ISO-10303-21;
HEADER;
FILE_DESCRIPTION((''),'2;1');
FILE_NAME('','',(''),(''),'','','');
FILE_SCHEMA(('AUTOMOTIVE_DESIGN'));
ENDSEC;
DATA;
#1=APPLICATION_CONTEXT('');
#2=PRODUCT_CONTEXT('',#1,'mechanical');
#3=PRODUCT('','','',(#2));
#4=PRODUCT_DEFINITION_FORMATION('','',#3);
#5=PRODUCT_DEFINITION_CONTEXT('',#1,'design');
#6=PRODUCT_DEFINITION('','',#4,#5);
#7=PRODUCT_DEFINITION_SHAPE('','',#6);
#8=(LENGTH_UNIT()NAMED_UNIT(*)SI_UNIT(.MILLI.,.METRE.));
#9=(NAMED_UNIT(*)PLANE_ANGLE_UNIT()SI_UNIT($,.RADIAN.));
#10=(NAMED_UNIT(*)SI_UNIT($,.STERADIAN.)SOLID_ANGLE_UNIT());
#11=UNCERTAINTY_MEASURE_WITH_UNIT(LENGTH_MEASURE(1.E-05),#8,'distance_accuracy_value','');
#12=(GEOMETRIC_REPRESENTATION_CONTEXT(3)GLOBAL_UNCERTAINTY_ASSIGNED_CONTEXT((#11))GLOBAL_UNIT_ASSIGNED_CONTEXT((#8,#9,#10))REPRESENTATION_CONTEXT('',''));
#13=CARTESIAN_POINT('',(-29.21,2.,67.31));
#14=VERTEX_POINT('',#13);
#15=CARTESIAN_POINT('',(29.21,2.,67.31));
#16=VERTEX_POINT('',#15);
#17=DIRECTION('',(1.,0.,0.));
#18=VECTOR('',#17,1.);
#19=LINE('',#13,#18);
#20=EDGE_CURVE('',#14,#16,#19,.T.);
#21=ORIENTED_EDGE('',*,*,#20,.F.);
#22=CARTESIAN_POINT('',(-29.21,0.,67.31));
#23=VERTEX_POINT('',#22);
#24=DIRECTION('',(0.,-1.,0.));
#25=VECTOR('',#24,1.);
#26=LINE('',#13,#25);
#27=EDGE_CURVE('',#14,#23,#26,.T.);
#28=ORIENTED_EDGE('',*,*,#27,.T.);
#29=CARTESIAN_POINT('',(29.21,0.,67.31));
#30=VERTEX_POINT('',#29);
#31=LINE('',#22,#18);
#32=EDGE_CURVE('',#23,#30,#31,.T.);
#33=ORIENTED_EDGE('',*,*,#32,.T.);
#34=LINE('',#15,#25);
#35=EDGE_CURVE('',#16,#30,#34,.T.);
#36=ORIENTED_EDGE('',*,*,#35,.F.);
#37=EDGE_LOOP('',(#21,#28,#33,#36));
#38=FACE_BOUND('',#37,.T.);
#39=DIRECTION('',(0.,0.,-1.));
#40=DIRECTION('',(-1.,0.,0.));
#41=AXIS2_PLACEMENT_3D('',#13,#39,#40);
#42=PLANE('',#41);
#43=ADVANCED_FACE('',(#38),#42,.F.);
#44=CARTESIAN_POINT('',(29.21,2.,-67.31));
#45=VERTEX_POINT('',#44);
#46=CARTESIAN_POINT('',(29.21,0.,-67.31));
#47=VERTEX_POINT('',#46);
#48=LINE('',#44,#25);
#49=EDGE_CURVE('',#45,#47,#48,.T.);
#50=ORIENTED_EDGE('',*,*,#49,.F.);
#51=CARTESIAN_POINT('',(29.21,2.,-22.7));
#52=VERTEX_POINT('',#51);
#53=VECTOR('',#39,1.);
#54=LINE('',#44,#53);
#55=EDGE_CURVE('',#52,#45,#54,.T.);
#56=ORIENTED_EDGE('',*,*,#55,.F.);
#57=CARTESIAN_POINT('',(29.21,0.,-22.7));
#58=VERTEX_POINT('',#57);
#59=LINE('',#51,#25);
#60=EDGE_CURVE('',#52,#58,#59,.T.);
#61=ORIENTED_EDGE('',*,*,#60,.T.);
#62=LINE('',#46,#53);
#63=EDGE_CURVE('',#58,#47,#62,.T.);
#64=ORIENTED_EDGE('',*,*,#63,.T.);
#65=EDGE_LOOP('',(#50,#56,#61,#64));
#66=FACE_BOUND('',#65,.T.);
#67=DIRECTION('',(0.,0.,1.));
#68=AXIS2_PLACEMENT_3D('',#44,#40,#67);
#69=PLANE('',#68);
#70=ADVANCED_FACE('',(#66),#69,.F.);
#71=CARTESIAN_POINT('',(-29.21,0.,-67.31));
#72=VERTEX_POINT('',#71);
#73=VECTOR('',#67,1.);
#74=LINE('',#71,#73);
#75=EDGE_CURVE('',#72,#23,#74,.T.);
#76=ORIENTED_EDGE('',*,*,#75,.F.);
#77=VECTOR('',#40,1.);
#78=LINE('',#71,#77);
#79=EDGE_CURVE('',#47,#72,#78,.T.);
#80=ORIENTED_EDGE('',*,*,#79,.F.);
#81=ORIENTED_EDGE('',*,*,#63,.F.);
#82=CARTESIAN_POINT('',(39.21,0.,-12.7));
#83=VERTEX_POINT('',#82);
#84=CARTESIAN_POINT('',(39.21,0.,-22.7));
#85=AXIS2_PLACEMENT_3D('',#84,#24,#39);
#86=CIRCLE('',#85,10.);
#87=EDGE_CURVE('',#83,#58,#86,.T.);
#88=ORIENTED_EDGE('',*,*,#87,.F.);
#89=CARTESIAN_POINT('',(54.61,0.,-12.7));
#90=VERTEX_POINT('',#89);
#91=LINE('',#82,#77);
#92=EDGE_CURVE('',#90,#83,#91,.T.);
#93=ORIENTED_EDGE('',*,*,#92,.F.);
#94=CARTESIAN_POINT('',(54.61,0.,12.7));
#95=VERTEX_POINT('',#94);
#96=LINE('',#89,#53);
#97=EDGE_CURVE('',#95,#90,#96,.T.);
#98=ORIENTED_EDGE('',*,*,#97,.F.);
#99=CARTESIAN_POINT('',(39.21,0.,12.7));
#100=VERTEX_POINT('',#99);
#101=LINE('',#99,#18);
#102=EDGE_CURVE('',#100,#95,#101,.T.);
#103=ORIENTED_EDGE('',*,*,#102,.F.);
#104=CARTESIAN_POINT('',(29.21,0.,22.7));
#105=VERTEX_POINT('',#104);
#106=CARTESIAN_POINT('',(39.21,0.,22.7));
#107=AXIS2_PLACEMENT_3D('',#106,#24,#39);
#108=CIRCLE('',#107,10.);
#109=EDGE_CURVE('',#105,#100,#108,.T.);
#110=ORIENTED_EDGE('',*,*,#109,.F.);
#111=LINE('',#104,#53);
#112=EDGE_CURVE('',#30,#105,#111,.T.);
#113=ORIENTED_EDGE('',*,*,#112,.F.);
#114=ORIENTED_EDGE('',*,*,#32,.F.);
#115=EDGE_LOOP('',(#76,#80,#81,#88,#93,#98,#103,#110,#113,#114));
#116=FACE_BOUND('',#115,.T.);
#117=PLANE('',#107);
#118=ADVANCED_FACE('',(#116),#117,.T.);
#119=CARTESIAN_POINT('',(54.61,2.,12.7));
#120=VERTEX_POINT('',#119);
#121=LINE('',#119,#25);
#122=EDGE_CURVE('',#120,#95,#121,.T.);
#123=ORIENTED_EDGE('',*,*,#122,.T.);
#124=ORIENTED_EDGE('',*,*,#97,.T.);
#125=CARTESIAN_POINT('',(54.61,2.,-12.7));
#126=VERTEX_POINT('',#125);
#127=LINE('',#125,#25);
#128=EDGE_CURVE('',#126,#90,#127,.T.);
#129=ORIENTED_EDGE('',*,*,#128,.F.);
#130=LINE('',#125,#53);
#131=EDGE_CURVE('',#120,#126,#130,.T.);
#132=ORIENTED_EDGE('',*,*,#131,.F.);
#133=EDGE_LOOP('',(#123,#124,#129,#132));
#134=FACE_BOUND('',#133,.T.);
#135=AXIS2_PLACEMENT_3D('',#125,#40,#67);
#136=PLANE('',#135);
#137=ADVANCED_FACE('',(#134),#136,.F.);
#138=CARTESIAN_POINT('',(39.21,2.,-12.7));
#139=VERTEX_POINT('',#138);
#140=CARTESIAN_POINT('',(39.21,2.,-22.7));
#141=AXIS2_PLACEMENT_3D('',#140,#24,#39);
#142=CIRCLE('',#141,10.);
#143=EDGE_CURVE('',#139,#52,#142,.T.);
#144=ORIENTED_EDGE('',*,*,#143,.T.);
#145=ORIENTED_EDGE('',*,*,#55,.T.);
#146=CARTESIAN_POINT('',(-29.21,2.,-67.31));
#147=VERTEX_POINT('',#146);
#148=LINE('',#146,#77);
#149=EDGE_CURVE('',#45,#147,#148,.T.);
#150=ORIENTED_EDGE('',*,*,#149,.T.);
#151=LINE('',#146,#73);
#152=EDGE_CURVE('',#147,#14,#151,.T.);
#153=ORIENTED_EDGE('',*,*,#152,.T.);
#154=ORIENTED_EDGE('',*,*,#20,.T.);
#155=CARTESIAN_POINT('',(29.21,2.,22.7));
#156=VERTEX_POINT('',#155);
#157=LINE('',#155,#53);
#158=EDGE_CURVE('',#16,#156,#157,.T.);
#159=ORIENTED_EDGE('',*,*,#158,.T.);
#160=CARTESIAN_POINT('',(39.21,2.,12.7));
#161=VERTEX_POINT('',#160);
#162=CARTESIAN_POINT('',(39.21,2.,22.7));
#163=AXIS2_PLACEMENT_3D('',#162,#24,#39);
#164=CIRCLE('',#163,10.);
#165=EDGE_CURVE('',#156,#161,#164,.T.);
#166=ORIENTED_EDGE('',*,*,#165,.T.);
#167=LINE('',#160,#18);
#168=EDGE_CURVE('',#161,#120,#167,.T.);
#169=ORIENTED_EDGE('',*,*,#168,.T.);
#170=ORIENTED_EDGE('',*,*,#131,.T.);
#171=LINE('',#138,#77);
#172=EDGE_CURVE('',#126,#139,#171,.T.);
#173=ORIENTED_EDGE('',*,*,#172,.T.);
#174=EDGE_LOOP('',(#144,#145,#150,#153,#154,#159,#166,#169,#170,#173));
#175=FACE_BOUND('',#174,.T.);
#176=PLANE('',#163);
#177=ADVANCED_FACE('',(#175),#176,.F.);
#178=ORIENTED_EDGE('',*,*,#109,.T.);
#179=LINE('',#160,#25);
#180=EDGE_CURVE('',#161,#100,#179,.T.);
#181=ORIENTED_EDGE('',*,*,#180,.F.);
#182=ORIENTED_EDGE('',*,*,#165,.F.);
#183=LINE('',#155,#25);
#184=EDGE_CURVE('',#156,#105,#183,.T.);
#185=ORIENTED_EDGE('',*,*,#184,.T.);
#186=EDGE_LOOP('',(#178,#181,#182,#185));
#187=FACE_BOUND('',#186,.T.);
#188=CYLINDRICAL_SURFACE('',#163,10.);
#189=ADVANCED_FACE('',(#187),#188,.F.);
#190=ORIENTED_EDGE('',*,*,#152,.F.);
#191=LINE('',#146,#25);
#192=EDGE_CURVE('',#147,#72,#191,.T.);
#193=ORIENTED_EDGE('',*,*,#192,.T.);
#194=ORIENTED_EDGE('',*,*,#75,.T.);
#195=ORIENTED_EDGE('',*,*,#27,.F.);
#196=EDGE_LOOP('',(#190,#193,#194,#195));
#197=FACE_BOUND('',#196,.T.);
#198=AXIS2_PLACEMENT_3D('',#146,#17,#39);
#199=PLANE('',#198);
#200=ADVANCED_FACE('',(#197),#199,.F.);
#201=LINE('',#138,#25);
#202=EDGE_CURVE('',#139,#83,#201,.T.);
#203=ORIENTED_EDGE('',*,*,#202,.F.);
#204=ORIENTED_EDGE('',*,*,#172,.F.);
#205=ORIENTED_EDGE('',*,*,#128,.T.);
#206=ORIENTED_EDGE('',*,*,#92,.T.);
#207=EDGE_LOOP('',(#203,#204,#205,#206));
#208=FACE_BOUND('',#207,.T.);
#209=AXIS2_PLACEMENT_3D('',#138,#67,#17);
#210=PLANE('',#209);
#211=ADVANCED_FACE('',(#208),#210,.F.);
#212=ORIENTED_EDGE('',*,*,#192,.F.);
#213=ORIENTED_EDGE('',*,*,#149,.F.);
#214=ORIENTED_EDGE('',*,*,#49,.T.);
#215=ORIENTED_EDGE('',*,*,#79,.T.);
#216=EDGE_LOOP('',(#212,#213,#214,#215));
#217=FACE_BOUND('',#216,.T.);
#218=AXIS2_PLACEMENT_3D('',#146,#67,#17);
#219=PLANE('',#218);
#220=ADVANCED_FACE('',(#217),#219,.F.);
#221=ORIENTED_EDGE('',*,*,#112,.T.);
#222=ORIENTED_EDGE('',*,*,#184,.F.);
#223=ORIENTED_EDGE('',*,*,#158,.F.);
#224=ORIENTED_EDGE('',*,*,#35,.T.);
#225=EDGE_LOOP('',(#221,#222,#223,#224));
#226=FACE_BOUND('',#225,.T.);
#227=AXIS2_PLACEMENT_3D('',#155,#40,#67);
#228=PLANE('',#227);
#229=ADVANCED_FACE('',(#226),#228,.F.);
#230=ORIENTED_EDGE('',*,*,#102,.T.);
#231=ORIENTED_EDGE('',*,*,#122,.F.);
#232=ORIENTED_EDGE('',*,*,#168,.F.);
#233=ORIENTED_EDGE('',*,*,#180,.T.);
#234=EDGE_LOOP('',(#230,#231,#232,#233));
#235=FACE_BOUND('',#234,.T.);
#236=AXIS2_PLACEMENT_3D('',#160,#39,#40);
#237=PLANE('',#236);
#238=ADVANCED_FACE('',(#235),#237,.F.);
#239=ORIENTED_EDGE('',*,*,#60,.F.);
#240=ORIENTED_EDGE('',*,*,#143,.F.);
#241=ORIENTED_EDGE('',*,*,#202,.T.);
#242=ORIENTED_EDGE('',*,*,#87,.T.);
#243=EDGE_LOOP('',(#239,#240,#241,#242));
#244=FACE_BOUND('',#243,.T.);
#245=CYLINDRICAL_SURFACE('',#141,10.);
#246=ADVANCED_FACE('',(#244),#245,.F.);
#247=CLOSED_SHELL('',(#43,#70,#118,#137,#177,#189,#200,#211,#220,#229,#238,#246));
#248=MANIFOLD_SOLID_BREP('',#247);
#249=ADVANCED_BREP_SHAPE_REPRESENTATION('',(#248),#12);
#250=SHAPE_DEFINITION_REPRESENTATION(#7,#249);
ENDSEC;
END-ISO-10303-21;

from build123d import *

# Parameters (mm, degrees)
BOSS_EXTRUDE1_DEPTH = 2


with BuildPart() as part:
    # Sketch1 → Boss-Extrude1 (new body)
    with BuildSketch(Plane(origin=(0, 0, 0), x_dir=(1, 0, 0), z_dir=(0, 1, 0))):
        with BuildLine():
            Line((-29.21, 67.31), (29.21, 67.31))
            Line((29.21, 67.31), (29.21, 22.7))
            ThreePointArc((29.21, 22.7), (32.138932188, 15.628932188), (39.21, 12.7))
            Line((39.21, 12.7), (54.61, 12.7))
            Line((54.61, 12.7), (54.61, -12.7))
            Line((54.61, -12.7), (39.21, -12.7))
            ThreePointArc((39.21, -12.7), (32.138932188, -15.628932188), (29.21, -22.7))
            Line((29.21, -22.7), (29.21, -67.31))
            Line((29.21, -67.31), (-29.21, -67.31))
            Line((-29.21, -67.31), (-29.21, 67.31))
        make_face()
    extrude(amount=BOSS_EXTRUDE1_DEPTH)


solid = part.part
